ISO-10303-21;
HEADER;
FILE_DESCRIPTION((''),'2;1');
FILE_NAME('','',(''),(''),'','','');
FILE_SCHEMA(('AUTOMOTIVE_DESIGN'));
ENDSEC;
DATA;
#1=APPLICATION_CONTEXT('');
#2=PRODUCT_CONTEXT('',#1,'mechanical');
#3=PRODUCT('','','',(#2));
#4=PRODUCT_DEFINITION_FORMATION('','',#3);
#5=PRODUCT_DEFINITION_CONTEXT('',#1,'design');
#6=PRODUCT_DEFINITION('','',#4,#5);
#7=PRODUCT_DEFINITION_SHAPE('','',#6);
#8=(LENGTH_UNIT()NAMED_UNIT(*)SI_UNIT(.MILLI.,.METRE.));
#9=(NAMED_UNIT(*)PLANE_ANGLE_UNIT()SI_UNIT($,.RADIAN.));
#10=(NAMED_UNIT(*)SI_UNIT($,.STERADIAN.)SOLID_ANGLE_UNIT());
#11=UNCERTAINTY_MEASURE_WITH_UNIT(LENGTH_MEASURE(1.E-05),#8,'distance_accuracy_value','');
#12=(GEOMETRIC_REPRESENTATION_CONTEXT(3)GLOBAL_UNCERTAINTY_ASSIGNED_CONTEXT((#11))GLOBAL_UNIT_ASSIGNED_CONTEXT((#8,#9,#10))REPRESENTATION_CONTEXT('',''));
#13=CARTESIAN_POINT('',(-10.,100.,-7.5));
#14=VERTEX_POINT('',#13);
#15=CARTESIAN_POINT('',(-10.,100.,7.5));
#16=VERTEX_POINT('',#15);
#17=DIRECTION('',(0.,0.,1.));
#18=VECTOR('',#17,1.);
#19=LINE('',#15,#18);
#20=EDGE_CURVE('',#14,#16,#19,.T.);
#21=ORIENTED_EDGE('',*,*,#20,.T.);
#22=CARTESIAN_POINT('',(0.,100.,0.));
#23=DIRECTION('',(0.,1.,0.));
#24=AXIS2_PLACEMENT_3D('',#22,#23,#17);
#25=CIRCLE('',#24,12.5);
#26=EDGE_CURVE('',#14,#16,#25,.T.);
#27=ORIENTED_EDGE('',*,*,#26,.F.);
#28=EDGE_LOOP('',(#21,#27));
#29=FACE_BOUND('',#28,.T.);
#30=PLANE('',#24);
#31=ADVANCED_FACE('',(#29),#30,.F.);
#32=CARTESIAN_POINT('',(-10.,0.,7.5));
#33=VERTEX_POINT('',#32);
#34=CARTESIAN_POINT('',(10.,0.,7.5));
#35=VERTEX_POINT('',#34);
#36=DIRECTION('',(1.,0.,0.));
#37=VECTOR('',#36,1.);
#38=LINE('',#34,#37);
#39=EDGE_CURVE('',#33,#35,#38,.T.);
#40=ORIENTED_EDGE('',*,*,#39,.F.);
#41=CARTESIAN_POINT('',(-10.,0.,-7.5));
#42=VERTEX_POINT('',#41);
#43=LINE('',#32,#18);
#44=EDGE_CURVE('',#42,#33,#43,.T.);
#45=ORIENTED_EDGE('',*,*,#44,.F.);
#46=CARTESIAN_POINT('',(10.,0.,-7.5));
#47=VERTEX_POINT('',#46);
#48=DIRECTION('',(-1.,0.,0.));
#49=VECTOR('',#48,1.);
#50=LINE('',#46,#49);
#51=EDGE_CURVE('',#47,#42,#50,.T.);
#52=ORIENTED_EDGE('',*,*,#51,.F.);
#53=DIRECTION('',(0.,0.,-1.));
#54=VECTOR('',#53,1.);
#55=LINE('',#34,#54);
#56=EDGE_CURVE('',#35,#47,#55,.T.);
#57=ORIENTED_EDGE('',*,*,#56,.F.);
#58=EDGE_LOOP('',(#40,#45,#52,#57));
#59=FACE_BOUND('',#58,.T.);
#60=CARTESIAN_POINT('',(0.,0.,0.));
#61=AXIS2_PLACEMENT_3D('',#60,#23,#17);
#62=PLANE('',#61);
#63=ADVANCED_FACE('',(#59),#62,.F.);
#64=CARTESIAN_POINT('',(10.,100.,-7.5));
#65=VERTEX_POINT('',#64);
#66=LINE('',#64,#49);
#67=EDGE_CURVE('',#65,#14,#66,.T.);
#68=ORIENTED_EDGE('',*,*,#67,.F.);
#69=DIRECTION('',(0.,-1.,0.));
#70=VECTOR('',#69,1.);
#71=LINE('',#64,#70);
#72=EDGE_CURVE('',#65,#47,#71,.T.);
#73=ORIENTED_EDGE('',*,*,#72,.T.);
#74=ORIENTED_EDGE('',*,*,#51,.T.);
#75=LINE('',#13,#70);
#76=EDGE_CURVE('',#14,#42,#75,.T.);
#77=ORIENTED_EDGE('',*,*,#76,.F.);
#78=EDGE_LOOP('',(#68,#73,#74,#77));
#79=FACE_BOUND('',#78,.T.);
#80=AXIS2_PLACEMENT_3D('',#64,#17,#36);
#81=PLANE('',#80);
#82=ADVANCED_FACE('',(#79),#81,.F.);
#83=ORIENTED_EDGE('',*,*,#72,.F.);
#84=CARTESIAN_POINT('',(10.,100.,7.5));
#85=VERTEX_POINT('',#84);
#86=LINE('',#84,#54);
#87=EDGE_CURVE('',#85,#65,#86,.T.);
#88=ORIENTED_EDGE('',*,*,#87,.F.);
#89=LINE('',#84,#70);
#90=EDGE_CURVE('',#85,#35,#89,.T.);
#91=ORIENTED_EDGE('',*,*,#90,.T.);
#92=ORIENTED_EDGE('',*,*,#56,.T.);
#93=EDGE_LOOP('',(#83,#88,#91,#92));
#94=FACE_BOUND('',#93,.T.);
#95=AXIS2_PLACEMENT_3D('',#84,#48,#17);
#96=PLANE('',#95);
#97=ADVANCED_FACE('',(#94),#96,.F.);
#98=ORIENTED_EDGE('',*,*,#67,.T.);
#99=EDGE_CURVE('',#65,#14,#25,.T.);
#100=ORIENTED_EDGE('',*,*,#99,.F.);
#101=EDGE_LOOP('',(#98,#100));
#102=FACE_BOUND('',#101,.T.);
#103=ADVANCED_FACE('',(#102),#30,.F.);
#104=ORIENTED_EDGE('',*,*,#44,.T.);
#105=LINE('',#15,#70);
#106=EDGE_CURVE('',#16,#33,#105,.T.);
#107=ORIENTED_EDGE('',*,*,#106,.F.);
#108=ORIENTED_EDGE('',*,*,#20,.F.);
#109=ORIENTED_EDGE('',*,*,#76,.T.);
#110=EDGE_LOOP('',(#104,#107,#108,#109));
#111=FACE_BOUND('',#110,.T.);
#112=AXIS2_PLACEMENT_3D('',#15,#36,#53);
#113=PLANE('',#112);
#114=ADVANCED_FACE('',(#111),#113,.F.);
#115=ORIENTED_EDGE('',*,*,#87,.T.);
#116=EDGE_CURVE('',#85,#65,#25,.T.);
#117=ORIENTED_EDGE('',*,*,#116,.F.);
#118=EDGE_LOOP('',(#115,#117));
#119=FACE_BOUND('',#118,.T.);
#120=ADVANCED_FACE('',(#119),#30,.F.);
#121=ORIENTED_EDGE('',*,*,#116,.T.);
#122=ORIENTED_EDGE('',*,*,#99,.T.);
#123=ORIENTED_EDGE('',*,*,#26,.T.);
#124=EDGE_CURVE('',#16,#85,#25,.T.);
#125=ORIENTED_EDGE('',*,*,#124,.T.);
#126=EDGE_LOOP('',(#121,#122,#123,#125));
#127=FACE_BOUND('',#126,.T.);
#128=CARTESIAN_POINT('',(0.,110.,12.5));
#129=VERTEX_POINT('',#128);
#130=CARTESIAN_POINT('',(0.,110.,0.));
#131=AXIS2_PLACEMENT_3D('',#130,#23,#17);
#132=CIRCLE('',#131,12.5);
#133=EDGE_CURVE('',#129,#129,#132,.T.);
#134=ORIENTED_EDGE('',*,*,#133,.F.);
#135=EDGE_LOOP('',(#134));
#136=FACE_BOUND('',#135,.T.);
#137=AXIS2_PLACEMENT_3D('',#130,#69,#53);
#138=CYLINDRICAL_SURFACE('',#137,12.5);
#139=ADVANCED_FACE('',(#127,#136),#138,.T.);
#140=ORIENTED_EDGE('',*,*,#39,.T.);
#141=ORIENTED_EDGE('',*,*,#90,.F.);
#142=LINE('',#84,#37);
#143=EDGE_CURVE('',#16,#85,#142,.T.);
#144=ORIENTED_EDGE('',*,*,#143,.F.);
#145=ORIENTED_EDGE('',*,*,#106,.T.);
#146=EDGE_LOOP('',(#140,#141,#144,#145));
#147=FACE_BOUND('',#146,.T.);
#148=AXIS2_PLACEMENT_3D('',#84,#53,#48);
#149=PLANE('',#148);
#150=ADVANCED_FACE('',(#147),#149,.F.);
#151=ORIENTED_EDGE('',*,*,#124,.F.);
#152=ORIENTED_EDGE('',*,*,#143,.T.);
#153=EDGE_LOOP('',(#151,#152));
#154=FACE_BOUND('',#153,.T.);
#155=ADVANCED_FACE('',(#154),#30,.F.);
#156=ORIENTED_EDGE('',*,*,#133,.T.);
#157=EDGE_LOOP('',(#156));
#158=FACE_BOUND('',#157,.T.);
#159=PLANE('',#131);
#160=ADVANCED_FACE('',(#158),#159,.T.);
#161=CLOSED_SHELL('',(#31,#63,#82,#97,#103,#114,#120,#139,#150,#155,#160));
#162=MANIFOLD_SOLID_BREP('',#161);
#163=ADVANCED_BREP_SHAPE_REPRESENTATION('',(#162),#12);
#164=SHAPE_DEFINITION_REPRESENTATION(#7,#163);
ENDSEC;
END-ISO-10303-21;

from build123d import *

# Parameters (mm, degrees)
SKETCH1_W           = 20
SKETCH1_H           = 15
BOSS_EXTRUDE1_DEPTH = 100
SKETCH2_R           = 12.5
BOSS_EXTRUDE2_DEPTH = 10


with BuildPart() as part:
    # Sketch1 → Boss-Extrude1 (new body)
    with BuildSketch(Plane(origin=(0, 0, 0), x_dir=(1, 0, 0), z_dir=(0, 1, 0))):
        Rectangle(SKETCH1_W, SKETCH1_H)
    extrude(amount=BOSS_EXTRUDE1_DEPTH)

    # Sketch2 → Boss-Extrude2 (add)
    with BuildSketch(Plane(origin=(0, 100, 0), x_dir=(1, 0, 0), z_dir=(0, 1, 0))):
        with Locations(Location((0, 0, 0), (0, 0, 36.869897646))):
            Circle(SKETCH2_R)
    extrude(amount=BOSS_EXTRUDE2_DEPTH)


solid = part.part
